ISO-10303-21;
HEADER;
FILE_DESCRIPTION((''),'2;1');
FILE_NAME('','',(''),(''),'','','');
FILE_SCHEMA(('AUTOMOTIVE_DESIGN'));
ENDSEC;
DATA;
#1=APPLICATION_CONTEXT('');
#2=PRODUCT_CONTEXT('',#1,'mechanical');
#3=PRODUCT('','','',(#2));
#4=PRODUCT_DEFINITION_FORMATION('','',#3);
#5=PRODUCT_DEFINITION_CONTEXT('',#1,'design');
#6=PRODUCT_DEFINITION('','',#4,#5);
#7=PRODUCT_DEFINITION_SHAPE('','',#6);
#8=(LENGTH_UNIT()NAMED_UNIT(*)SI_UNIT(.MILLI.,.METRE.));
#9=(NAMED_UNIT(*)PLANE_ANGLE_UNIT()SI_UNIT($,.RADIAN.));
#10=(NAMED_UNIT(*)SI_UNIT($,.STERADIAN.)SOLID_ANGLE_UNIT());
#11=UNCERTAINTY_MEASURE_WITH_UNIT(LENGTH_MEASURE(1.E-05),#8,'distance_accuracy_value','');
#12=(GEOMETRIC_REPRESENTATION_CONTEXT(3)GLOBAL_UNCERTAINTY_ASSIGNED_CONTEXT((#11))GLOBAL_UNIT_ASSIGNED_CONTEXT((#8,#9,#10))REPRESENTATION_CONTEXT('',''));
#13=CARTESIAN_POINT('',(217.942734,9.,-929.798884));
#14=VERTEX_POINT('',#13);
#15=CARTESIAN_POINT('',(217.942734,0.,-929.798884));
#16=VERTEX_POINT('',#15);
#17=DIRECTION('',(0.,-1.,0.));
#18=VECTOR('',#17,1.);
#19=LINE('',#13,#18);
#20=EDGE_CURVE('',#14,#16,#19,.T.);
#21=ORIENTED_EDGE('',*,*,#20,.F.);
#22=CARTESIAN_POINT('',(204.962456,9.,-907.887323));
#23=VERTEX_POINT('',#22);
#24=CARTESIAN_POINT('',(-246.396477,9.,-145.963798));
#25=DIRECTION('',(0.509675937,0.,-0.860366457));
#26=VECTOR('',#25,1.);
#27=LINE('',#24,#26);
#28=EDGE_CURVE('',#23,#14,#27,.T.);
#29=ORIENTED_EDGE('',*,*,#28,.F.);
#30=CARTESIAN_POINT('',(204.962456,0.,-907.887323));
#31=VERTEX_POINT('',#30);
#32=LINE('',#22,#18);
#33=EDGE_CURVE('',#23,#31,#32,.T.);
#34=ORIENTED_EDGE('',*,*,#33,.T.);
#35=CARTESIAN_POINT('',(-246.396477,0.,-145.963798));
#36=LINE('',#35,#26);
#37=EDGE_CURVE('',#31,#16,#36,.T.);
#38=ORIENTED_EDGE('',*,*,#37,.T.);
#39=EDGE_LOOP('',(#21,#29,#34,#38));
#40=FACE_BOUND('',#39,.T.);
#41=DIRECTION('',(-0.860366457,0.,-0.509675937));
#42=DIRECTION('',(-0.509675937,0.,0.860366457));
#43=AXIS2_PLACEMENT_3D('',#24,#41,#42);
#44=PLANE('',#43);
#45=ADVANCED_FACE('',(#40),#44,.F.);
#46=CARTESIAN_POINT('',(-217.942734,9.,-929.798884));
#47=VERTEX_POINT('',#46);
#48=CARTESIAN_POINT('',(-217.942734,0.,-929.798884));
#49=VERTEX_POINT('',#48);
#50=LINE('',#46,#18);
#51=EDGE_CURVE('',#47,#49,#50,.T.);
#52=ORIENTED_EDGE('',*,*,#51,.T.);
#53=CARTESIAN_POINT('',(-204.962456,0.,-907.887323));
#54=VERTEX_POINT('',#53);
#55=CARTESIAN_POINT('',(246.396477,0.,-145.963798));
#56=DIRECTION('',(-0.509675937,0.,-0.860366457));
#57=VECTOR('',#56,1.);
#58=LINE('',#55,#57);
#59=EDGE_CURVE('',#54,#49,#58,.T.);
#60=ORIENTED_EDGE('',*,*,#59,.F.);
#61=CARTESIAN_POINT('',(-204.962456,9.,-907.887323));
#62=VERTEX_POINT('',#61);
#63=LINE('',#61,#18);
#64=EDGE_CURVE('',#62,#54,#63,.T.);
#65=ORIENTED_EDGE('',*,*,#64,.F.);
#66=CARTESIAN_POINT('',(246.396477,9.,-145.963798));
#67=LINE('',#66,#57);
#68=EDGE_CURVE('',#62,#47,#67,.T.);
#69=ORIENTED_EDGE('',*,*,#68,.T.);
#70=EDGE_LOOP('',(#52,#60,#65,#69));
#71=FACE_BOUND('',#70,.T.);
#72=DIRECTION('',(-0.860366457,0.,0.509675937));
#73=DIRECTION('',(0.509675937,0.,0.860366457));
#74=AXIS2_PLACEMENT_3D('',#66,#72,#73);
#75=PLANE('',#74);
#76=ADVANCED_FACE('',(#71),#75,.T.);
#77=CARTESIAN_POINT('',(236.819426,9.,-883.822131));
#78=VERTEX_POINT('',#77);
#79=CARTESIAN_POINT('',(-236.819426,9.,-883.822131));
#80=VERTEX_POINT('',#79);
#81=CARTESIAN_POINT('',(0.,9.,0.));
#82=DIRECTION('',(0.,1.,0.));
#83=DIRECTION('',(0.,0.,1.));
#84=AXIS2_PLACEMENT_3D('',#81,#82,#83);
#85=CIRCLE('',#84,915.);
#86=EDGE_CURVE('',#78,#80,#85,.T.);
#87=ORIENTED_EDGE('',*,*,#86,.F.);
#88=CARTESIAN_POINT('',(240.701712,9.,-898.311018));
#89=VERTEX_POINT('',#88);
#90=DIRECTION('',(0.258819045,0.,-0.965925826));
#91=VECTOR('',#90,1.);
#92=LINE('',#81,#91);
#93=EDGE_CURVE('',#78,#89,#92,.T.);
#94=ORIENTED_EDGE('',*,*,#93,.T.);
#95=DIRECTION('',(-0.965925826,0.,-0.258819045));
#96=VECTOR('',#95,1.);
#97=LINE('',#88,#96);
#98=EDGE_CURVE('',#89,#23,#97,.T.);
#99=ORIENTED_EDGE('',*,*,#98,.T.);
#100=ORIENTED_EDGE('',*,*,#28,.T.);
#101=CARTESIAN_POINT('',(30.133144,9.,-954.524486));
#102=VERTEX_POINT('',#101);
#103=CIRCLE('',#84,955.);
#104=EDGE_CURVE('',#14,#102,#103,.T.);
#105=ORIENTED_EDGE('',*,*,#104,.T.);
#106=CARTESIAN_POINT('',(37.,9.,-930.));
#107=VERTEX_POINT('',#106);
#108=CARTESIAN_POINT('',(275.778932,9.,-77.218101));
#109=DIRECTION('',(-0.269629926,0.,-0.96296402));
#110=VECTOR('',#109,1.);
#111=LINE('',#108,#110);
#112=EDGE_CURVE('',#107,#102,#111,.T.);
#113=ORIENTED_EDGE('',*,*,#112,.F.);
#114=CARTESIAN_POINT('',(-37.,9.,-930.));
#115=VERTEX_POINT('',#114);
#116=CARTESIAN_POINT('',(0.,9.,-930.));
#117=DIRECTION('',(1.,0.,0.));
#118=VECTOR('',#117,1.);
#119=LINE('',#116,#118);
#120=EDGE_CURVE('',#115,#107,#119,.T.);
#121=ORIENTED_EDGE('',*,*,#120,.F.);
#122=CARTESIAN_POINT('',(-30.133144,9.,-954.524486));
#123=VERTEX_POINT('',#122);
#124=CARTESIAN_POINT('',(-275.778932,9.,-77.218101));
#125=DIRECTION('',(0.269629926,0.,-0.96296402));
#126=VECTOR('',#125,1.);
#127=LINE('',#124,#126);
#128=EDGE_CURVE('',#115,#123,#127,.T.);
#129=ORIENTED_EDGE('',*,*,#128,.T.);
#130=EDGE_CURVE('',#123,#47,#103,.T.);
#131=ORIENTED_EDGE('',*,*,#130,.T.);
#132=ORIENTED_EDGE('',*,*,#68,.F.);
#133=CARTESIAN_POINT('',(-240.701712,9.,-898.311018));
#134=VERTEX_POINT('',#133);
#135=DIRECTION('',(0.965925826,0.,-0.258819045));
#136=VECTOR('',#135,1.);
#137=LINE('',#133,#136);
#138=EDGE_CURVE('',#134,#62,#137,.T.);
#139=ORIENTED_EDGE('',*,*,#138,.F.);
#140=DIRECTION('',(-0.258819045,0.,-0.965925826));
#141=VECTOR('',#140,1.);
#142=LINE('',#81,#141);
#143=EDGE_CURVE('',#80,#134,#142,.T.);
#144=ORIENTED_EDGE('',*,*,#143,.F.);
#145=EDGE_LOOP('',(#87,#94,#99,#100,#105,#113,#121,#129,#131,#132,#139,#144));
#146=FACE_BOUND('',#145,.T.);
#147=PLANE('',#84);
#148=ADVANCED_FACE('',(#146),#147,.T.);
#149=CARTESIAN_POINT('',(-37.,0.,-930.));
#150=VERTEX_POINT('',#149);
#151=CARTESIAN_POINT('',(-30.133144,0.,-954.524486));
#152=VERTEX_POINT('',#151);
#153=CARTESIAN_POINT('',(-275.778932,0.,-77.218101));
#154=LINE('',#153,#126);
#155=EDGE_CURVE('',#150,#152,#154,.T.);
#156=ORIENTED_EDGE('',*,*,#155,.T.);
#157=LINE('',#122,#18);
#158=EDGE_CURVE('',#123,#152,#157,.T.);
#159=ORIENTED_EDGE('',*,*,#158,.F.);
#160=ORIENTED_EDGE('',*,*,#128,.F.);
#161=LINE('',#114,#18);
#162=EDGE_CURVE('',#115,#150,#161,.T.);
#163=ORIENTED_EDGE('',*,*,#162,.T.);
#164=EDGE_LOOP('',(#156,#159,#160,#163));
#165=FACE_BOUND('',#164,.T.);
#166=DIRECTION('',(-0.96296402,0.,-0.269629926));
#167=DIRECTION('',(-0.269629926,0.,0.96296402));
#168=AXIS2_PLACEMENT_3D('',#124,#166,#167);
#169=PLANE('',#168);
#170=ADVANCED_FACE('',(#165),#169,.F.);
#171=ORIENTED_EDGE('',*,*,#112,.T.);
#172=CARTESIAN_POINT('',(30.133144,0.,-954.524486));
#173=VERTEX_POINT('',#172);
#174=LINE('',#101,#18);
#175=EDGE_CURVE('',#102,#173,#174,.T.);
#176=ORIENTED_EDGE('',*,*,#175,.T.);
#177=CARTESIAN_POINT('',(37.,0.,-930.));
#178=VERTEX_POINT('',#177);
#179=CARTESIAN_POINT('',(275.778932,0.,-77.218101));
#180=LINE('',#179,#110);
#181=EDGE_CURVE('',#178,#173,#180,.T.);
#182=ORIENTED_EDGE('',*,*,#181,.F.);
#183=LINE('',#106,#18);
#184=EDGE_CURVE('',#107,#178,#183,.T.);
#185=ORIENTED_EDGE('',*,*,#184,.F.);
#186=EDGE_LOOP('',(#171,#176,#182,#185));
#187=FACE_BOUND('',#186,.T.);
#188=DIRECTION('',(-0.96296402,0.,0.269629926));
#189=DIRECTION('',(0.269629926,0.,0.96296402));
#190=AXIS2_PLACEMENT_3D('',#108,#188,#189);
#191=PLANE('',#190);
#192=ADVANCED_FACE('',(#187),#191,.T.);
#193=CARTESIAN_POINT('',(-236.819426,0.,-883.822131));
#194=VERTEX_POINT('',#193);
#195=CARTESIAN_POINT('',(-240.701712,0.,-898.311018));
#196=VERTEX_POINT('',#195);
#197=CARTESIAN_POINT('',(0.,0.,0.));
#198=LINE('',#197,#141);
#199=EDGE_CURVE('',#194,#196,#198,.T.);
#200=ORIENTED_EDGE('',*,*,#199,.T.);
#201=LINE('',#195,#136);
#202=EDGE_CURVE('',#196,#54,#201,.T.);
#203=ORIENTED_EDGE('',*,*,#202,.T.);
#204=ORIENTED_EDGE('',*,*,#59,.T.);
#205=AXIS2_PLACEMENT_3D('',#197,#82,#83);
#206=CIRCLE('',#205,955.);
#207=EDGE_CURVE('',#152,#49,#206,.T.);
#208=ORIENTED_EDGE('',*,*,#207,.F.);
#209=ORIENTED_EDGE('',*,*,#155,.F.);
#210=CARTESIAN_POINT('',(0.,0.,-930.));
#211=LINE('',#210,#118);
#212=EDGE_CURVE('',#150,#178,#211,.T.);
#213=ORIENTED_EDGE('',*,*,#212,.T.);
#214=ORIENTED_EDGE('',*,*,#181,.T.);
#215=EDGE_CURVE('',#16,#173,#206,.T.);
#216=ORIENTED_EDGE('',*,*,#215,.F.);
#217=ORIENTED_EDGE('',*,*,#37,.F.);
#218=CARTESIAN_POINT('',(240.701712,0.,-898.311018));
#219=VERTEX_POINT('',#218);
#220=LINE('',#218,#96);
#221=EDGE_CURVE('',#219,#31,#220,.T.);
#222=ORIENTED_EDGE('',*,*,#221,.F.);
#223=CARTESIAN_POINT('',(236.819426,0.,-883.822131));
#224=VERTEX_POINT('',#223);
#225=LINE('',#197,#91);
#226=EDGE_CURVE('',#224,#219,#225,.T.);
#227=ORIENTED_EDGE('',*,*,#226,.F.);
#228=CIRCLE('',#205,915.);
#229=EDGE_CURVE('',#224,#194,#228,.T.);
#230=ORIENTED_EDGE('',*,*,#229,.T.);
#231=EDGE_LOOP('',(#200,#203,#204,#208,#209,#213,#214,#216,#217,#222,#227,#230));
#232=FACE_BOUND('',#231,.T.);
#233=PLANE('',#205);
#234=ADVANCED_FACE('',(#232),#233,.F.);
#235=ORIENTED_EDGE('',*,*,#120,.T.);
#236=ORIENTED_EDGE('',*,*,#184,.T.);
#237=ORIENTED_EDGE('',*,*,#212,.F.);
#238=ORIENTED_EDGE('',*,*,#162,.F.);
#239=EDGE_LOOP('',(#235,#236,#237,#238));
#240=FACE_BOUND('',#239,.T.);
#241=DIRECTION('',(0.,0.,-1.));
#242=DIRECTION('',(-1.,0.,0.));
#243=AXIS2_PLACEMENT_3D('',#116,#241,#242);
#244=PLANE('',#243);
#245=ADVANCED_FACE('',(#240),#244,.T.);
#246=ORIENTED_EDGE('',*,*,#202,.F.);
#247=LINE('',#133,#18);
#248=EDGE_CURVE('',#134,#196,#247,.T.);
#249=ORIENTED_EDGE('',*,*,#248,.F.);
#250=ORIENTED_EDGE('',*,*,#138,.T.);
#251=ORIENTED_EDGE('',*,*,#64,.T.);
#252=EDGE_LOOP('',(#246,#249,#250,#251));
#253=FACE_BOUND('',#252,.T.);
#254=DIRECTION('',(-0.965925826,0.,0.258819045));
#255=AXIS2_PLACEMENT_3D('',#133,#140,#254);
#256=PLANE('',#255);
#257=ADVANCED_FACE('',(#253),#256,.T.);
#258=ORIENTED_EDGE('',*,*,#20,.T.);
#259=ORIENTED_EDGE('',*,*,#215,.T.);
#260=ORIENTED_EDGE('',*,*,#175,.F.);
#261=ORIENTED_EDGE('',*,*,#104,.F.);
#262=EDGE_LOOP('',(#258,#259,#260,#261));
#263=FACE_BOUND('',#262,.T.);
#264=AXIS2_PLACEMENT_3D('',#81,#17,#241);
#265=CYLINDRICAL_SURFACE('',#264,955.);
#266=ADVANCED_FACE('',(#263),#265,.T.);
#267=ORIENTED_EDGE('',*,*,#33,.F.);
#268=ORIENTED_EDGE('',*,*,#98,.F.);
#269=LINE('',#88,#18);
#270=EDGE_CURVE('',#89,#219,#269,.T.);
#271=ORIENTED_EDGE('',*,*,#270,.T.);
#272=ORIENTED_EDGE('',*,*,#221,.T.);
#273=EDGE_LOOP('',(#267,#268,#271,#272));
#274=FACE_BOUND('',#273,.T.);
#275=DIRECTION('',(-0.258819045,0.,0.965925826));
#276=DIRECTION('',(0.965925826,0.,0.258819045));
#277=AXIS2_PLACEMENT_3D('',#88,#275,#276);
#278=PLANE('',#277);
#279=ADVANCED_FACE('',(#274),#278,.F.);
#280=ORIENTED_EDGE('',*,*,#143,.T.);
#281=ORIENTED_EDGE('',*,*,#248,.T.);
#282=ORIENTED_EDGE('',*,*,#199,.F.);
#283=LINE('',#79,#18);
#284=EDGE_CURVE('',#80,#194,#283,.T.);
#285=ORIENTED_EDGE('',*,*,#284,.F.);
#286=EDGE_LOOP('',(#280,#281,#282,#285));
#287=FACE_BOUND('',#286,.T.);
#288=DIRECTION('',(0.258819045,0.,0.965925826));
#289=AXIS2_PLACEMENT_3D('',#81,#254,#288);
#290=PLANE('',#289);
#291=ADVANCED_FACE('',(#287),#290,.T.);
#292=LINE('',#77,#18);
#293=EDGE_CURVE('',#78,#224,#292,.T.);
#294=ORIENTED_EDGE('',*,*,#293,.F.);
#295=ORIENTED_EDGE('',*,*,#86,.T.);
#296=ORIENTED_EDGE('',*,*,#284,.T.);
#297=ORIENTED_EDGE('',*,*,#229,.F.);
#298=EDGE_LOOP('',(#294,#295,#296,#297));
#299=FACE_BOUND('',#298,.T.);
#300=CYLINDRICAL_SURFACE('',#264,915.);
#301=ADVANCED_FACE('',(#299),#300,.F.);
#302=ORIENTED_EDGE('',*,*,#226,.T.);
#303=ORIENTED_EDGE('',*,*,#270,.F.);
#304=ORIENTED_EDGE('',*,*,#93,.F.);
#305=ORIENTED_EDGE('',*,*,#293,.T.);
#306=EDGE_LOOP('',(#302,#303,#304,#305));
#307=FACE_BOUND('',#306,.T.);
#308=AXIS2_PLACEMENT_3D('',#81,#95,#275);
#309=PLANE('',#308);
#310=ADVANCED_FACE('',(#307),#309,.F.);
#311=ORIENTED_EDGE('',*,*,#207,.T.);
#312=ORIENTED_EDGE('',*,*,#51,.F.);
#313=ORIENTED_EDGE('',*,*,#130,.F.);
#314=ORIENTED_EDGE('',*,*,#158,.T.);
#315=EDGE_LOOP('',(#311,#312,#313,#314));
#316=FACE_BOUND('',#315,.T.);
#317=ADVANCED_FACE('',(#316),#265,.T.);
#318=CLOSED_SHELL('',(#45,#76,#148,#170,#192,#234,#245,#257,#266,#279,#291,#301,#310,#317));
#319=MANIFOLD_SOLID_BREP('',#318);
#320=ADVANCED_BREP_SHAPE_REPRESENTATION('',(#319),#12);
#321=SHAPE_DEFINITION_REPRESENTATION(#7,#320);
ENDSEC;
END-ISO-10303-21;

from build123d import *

# Parameters (mm, degrees)
BOSS_EXTRUDE1_DEPTH = 9


with BuildPart() as part:
    # Sketch1 → Boss-Extrude1 (new body)
    with BuildSketch(Plane(origin=(0, 0, 0), x_dir=(1, 0, 0), z_dir=(0, 1, 0))):
        with BuildLine():
            Line((-240.701711945, 898.311018449), (-236.819426269, 883.822131054))
            ThreePointArc((-236.819426269, 883.822131055), (0, 915), (236.819426269, 883.822131055))
            Line((236.819426269, 883.822131054), (240.701711945, 898.311018449))
            Line((240.701711945, 898.311018449), (204.962456373, 907.887323118))
            Line((204.962456373, 907.887323118), (217.942733848, 929.79888404))
            ThreePointArc((217.942733848, 929.79888404), (124.65251357, 946.829842612), (30.133144029, 954.524485611))
            Line((30.133144029, 954.524485611), (37, 930))
            Line((37, 930), (-37, 930))
            Line((-37, 930), (-30.133144029, 954.524485611))
            ThreePointArc((-30.133144029, 954.524485611), (-124.65251357, 946.829842612), (-217.942733848, 929.79888404))
            Line((-217.942733848, 929.79888404), (-204.962456373, 907.887323118))
            Line((-204.962456373, 907.887323118), (-240.701711945, 898.311018449))
        make_face()
    extrude(amount=BOSS_EXTRUDE1_DEPTH)


solid = part.part
